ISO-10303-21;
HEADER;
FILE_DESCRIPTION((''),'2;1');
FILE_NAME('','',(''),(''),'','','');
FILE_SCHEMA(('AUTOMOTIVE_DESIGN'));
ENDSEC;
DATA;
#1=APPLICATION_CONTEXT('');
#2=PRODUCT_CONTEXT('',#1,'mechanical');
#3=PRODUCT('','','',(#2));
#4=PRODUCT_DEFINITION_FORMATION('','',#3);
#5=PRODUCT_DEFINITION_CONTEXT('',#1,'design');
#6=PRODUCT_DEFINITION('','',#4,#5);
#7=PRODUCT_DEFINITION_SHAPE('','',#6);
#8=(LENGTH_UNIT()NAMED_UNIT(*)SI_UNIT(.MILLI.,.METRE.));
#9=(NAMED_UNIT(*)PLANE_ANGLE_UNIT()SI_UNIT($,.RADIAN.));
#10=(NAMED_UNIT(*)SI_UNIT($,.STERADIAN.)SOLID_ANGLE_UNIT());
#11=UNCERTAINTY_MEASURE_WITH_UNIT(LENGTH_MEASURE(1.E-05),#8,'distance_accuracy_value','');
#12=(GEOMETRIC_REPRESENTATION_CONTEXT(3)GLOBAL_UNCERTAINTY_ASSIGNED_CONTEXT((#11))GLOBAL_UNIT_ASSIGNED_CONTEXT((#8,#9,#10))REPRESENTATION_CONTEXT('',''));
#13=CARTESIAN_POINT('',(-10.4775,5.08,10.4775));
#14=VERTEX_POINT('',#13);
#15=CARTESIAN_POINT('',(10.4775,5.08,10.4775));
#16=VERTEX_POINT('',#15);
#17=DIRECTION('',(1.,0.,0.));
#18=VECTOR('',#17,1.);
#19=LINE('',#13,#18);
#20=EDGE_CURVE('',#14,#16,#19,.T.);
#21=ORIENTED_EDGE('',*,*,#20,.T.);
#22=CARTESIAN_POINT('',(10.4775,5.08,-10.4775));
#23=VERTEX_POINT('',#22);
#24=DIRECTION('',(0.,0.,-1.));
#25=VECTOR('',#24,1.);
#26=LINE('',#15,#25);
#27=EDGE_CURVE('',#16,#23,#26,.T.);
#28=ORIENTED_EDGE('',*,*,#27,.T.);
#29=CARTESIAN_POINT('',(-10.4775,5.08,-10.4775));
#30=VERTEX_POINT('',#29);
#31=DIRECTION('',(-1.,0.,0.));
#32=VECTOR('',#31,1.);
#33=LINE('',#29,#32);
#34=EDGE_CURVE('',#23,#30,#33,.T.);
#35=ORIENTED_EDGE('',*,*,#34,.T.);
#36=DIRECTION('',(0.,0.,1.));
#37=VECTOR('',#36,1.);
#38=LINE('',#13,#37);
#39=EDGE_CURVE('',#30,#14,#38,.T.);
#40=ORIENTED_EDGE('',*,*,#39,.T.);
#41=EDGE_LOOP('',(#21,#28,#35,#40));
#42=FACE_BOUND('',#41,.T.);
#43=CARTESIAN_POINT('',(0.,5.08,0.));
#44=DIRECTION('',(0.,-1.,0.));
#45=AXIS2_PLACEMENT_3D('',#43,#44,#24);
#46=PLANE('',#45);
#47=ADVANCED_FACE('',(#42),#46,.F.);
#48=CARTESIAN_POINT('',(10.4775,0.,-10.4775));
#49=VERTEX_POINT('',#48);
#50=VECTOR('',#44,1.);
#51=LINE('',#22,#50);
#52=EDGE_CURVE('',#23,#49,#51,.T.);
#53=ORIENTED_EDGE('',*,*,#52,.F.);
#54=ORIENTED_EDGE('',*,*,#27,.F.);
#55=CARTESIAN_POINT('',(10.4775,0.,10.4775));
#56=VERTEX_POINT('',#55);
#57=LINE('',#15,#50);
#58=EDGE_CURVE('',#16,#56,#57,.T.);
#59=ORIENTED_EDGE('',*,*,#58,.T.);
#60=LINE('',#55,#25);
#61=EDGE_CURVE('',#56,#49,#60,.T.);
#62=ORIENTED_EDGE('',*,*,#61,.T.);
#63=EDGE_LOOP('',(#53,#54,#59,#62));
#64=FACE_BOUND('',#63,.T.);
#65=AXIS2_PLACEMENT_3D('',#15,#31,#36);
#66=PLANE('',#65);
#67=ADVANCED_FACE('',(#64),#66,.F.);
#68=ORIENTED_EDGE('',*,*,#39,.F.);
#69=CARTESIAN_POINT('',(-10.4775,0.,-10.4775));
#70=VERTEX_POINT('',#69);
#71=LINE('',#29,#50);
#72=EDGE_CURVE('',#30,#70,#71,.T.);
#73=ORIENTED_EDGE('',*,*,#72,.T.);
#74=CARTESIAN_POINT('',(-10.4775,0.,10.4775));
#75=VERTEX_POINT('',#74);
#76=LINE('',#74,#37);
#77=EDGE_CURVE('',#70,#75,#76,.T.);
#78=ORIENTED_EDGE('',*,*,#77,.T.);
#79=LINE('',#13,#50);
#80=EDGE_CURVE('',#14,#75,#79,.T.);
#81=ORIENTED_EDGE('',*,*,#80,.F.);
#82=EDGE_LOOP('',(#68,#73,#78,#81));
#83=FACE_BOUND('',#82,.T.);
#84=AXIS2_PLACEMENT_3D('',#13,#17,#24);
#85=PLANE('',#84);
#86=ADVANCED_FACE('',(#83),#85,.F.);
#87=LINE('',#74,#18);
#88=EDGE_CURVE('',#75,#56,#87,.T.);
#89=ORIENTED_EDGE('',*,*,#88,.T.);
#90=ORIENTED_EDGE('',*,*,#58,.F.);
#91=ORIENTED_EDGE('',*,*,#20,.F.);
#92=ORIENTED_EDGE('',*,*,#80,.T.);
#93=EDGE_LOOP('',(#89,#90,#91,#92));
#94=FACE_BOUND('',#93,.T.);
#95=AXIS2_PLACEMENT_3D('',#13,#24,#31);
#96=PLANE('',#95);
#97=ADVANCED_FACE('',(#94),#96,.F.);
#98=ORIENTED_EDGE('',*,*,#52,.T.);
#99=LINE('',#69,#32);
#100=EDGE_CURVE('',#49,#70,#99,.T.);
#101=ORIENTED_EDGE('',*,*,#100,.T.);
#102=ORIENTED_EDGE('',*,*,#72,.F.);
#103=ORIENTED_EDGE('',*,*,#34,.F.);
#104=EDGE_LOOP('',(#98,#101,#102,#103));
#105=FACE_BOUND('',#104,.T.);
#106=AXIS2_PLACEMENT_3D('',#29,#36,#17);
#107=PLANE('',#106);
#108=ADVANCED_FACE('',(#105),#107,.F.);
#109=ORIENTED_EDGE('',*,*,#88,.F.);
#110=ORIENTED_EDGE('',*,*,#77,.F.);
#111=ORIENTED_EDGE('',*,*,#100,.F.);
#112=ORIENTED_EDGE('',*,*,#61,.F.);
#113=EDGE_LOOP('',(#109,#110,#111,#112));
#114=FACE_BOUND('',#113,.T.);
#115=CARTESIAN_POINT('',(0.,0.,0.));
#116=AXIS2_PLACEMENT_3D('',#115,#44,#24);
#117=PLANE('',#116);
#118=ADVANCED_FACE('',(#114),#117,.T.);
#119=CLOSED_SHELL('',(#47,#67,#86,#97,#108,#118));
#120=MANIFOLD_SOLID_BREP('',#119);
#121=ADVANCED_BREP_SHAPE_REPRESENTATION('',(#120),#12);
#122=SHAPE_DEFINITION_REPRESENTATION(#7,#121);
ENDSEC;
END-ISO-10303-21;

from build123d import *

# Parameters (mm, degrees)
SKETCH1_W           = 20.955
SKETCH1_H           = 20.955
BOSS_EXTRUDE1_DEPTH = 5.08


with BuildPart() as part:
    # Sketch1 → Boss-Extrude1 (new body)
    with BuildSketch(Plane(origin=(0, 0, 0), x_dir=(1, 0, 0), z_dir=(0, 1, 0))):
        Rectangle(SKETCH1_W, SKETCH1_H)
    extrude(amount=BOSS_EXTRUDE1_DEPTH)


solid = part.part
